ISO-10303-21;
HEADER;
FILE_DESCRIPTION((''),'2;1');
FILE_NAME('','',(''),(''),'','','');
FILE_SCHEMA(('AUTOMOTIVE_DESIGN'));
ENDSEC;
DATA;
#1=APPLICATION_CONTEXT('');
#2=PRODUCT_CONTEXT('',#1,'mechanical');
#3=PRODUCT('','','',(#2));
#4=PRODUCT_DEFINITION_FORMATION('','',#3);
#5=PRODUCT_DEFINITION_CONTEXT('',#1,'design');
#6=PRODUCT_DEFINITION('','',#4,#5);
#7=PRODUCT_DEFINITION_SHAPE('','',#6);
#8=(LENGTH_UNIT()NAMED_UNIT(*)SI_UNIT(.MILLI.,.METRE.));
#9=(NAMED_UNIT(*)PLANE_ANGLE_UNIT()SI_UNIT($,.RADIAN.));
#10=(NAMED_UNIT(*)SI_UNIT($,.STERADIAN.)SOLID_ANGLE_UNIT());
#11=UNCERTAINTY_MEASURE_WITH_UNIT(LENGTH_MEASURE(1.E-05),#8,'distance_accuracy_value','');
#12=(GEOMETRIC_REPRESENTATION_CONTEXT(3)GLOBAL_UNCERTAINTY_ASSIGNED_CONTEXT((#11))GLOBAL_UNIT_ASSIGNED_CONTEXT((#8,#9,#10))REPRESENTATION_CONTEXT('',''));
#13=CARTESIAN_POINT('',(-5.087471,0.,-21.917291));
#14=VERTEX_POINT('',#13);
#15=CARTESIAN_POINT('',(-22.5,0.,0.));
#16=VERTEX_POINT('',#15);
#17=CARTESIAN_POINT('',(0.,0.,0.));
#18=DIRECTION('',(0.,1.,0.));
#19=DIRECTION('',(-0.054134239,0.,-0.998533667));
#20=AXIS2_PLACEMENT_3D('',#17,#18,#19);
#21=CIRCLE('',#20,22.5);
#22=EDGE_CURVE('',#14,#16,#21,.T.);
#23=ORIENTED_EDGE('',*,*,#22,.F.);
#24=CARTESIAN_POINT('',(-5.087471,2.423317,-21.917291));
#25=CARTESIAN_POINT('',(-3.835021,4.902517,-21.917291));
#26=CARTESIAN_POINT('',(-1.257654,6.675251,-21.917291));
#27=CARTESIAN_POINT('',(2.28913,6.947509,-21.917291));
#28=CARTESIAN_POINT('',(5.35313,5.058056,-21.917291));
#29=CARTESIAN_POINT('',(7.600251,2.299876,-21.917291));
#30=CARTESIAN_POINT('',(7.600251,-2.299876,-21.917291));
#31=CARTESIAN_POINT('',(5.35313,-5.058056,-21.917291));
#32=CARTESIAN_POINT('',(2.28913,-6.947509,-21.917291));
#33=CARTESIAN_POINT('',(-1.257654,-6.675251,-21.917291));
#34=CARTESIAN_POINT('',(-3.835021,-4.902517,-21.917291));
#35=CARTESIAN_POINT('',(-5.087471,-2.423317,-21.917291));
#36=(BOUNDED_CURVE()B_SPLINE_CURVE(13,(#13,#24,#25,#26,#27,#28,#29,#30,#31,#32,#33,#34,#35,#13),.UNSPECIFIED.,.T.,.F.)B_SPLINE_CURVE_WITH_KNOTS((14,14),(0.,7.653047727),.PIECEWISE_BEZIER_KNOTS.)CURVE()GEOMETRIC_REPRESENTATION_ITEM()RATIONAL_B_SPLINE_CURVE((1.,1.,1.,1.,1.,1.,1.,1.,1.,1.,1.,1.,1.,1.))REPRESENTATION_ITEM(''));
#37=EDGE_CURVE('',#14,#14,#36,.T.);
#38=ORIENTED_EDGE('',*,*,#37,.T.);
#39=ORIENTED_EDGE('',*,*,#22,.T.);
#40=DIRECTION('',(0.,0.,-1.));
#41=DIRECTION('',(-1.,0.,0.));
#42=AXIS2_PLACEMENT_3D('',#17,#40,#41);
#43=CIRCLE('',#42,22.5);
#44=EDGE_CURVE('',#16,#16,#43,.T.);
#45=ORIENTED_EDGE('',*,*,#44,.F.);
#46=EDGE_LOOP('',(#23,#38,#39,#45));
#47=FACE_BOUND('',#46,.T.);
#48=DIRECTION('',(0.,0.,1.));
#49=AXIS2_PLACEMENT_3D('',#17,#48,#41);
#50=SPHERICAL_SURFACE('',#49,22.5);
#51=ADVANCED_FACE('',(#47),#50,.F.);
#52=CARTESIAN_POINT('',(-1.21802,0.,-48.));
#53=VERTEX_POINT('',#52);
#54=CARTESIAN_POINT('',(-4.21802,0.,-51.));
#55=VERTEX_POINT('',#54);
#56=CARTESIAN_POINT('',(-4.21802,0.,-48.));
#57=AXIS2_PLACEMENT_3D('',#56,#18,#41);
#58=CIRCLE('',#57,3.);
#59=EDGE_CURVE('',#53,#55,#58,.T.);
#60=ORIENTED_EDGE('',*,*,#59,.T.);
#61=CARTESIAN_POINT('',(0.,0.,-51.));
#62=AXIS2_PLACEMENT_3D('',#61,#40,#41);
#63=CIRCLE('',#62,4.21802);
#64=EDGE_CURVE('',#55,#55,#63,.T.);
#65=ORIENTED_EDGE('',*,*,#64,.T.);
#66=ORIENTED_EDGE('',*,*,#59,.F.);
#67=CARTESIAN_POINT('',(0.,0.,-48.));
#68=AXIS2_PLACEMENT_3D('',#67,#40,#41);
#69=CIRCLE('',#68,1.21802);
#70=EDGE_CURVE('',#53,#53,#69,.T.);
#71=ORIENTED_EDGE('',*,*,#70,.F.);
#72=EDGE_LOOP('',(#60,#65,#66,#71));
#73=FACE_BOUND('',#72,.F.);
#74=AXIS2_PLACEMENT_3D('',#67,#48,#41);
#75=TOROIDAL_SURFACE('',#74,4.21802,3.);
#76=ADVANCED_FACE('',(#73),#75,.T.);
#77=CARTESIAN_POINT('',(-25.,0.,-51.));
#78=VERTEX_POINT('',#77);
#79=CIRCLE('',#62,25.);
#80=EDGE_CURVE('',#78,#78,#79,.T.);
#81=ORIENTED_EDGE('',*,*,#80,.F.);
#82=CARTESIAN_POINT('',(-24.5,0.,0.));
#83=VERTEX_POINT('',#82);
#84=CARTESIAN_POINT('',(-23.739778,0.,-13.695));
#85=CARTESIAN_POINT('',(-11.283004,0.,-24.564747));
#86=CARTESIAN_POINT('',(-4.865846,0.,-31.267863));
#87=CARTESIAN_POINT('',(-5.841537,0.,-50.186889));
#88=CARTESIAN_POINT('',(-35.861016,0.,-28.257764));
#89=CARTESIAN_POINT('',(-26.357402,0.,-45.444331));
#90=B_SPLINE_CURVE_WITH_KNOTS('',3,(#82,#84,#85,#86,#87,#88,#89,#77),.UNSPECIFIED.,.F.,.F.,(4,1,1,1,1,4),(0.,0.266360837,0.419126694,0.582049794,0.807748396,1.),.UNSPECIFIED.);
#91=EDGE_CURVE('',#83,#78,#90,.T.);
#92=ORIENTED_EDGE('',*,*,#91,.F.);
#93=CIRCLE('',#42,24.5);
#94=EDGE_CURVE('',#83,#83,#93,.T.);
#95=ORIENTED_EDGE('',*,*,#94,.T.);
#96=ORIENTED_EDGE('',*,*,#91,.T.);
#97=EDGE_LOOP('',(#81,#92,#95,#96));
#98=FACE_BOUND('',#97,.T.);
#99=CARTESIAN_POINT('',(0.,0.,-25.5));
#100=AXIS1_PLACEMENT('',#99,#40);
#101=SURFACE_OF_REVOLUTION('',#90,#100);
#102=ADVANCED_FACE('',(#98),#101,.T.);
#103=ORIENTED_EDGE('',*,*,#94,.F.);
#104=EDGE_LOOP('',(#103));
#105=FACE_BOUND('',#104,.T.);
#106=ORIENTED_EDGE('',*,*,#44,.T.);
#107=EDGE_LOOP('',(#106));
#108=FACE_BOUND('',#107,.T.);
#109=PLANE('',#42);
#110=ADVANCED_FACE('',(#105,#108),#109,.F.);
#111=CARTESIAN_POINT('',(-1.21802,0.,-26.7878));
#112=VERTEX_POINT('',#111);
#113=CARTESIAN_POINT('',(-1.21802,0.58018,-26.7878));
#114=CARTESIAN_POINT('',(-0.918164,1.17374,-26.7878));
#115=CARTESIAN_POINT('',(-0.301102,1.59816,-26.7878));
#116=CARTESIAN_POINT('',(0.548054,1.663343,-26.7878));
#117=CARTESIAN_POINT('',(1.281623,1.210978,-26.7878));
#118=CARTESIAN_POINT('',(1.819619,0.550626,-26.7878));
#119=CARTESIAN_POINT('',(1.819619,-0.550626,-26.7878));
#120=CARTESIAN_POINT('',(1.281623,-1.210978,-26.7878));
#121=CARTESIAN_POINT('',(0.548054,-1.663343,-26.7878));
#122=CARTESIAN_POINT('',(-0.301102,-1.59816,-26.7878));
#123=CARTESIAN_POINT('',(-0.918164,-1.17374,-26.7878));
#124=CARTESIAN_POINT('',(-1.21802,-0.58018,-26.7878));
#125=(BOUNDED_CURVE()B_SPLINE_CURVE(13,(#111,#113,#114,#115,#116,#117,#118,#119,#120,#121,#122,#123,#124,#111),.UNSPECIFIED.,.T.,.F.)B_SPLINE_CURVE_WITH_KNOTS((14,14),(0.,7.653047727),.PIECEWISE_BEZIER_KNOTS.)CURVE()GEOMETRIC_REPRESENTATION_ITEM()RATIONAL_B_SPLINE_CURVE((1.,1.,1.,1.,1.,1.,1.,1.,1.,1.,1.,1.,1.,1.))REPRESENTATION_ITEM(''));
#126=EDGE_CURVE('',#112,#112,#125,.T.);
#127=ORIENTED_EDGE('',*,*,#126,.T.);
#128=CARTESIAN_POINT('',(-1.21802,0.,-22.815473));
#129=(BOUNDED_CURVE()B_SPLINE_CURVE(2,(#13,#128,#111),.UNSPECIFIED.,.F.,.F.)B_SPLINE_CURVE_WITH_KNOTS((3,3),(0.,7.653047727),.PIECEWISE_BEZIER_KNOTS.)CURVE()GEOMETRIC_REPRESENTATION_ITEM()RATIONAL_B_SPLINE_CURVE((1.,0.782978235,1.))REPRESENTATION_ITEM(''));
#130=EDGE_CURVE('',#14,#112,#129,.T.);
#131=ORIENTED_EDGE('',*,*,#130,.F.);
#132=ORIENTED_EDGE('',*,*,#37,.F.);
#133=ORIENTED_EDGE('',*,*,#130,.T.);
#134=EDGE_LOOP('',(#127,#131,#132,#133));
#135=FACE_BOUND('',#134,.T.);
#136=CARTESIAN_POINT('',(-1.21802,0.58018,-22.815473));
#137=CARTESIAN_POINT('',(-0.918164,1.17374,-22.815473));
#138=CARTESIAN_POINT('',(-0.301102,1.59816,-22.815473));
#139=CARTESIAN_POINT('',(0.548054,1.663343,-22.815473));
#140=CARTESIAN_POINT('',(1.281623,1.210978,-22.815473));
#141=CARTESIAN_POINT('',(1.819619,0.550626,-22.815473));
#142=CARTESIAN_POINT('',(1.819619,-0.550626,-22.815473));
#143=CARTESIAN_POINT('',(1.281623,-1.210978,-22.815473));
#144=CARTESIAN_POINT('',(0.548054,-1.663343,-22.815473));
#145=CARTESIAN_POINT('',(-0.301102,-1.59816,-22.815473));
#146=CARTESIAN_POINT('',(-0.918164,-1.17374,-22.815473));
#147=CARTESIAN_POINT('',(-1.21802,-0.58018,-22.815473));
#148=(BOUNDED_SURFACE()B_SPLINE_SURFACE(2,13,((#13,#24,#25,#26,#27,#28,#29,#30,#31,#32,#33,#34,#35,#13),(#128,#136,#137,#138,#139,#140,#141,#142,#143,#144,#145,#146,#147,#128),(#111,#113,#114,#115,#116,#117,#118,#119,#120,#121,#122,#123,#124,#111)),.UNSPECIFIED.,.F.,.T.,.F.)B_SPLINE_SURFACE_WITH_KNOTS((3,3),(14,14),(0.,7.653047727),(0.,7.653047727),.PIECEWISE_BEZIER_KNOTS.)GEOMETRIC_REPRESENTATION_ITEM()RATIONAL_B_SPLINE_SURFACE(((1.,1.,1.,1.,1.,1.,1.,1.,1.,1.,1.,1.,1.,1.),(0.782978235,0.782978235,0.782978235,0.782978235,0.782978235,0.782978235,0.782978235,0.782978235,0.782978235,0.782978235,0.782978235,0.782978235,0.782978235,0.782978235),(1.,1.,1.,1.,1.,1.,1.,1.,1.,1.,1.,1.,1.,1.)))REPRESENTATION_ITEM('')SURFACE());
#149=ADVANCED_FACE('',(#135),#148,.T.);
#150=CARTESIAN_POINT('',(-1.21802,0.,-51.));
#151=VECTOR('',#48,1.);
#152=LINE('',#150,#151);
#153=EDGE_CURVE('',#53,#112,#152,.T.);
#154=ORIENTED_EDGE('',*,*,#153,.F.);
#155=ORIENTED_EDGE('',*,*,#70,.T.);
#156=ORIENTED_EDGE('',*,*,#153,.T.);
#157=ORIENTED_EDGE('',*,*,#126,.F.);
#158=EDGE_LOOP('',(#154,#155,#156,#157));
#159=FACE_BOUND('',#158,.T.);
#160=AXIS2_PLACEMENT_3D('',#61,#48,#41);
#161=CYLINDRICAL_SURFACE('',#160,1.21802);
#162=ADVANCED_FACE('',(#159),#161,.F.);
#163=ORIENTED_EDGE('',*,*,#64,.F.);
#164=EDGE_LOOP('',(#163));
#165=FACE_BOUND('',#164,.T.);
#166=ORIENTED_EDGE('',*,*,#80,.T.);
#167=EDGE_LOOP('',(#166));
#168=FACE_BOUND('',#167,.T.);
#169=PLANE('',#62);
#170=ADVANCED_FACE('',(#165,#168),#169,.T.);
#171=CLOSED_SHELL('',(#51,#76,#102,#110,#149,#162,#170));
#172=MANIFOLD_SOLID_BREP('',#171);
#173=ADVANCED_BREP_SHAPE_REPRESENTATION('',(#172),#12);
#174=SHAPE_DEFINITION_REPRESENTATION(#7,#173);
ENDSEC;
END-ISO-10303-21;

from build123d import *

# Parameters (mm, degrees)
F2_R = 5
F3_R = 3


with BuildPart() as f1:
    # F0 (on Front) → F1 (revolve)
    with BuildSketch(Plane.XZ):
        with BuildLine():
            ThreePointArc((-1.2180203755, -22.467007508), (-16.3348623877, -15.4732760195), (-22.5, 0))
            Line((-22.5, 0), (-24.5, 0))
            add(Edge.make_bspline(
                [(-24.5, 0), (-23.739777559, -13.6950002435), (-11.2830044037, -24.5647469092), (-4.8658456215, -31.2678632632), (-5.841536902, -50.1868893047), (-35.8610158663, -28.2577643873), (-26.3574018445, -45.4443305215), (-25, -51)],
                knots=[0, 0, 0, 0, 0.2663608368, 0.4191266938, 0.5820497943, 0.8077483959, 1, 1, 1, 1], degree=3))
            Line((-25, -51), (-1.2180203755, -51))
            Line((-1.2180203755, -51), (-1.2180203755, -22.467007508))
        make_face()
    revolve(axis=Axis((0, 0, -25.5), (0, 0, -1)))

    # F2
    f2_edges = [f1.edges().sort_by_distance(p)[0] for p in [
        (1.21802, 0, -22.467008),
    ]]
    fillet(f2_edges, radius=F2_R)

    # F3
    f3_edges = [f1.edges().sort_by_distance(p)[0] for p in [
        (1.21802, 0, -51),
    ]]
    fillet(f3_edges, radius=F3_R)


solid = f1.part
